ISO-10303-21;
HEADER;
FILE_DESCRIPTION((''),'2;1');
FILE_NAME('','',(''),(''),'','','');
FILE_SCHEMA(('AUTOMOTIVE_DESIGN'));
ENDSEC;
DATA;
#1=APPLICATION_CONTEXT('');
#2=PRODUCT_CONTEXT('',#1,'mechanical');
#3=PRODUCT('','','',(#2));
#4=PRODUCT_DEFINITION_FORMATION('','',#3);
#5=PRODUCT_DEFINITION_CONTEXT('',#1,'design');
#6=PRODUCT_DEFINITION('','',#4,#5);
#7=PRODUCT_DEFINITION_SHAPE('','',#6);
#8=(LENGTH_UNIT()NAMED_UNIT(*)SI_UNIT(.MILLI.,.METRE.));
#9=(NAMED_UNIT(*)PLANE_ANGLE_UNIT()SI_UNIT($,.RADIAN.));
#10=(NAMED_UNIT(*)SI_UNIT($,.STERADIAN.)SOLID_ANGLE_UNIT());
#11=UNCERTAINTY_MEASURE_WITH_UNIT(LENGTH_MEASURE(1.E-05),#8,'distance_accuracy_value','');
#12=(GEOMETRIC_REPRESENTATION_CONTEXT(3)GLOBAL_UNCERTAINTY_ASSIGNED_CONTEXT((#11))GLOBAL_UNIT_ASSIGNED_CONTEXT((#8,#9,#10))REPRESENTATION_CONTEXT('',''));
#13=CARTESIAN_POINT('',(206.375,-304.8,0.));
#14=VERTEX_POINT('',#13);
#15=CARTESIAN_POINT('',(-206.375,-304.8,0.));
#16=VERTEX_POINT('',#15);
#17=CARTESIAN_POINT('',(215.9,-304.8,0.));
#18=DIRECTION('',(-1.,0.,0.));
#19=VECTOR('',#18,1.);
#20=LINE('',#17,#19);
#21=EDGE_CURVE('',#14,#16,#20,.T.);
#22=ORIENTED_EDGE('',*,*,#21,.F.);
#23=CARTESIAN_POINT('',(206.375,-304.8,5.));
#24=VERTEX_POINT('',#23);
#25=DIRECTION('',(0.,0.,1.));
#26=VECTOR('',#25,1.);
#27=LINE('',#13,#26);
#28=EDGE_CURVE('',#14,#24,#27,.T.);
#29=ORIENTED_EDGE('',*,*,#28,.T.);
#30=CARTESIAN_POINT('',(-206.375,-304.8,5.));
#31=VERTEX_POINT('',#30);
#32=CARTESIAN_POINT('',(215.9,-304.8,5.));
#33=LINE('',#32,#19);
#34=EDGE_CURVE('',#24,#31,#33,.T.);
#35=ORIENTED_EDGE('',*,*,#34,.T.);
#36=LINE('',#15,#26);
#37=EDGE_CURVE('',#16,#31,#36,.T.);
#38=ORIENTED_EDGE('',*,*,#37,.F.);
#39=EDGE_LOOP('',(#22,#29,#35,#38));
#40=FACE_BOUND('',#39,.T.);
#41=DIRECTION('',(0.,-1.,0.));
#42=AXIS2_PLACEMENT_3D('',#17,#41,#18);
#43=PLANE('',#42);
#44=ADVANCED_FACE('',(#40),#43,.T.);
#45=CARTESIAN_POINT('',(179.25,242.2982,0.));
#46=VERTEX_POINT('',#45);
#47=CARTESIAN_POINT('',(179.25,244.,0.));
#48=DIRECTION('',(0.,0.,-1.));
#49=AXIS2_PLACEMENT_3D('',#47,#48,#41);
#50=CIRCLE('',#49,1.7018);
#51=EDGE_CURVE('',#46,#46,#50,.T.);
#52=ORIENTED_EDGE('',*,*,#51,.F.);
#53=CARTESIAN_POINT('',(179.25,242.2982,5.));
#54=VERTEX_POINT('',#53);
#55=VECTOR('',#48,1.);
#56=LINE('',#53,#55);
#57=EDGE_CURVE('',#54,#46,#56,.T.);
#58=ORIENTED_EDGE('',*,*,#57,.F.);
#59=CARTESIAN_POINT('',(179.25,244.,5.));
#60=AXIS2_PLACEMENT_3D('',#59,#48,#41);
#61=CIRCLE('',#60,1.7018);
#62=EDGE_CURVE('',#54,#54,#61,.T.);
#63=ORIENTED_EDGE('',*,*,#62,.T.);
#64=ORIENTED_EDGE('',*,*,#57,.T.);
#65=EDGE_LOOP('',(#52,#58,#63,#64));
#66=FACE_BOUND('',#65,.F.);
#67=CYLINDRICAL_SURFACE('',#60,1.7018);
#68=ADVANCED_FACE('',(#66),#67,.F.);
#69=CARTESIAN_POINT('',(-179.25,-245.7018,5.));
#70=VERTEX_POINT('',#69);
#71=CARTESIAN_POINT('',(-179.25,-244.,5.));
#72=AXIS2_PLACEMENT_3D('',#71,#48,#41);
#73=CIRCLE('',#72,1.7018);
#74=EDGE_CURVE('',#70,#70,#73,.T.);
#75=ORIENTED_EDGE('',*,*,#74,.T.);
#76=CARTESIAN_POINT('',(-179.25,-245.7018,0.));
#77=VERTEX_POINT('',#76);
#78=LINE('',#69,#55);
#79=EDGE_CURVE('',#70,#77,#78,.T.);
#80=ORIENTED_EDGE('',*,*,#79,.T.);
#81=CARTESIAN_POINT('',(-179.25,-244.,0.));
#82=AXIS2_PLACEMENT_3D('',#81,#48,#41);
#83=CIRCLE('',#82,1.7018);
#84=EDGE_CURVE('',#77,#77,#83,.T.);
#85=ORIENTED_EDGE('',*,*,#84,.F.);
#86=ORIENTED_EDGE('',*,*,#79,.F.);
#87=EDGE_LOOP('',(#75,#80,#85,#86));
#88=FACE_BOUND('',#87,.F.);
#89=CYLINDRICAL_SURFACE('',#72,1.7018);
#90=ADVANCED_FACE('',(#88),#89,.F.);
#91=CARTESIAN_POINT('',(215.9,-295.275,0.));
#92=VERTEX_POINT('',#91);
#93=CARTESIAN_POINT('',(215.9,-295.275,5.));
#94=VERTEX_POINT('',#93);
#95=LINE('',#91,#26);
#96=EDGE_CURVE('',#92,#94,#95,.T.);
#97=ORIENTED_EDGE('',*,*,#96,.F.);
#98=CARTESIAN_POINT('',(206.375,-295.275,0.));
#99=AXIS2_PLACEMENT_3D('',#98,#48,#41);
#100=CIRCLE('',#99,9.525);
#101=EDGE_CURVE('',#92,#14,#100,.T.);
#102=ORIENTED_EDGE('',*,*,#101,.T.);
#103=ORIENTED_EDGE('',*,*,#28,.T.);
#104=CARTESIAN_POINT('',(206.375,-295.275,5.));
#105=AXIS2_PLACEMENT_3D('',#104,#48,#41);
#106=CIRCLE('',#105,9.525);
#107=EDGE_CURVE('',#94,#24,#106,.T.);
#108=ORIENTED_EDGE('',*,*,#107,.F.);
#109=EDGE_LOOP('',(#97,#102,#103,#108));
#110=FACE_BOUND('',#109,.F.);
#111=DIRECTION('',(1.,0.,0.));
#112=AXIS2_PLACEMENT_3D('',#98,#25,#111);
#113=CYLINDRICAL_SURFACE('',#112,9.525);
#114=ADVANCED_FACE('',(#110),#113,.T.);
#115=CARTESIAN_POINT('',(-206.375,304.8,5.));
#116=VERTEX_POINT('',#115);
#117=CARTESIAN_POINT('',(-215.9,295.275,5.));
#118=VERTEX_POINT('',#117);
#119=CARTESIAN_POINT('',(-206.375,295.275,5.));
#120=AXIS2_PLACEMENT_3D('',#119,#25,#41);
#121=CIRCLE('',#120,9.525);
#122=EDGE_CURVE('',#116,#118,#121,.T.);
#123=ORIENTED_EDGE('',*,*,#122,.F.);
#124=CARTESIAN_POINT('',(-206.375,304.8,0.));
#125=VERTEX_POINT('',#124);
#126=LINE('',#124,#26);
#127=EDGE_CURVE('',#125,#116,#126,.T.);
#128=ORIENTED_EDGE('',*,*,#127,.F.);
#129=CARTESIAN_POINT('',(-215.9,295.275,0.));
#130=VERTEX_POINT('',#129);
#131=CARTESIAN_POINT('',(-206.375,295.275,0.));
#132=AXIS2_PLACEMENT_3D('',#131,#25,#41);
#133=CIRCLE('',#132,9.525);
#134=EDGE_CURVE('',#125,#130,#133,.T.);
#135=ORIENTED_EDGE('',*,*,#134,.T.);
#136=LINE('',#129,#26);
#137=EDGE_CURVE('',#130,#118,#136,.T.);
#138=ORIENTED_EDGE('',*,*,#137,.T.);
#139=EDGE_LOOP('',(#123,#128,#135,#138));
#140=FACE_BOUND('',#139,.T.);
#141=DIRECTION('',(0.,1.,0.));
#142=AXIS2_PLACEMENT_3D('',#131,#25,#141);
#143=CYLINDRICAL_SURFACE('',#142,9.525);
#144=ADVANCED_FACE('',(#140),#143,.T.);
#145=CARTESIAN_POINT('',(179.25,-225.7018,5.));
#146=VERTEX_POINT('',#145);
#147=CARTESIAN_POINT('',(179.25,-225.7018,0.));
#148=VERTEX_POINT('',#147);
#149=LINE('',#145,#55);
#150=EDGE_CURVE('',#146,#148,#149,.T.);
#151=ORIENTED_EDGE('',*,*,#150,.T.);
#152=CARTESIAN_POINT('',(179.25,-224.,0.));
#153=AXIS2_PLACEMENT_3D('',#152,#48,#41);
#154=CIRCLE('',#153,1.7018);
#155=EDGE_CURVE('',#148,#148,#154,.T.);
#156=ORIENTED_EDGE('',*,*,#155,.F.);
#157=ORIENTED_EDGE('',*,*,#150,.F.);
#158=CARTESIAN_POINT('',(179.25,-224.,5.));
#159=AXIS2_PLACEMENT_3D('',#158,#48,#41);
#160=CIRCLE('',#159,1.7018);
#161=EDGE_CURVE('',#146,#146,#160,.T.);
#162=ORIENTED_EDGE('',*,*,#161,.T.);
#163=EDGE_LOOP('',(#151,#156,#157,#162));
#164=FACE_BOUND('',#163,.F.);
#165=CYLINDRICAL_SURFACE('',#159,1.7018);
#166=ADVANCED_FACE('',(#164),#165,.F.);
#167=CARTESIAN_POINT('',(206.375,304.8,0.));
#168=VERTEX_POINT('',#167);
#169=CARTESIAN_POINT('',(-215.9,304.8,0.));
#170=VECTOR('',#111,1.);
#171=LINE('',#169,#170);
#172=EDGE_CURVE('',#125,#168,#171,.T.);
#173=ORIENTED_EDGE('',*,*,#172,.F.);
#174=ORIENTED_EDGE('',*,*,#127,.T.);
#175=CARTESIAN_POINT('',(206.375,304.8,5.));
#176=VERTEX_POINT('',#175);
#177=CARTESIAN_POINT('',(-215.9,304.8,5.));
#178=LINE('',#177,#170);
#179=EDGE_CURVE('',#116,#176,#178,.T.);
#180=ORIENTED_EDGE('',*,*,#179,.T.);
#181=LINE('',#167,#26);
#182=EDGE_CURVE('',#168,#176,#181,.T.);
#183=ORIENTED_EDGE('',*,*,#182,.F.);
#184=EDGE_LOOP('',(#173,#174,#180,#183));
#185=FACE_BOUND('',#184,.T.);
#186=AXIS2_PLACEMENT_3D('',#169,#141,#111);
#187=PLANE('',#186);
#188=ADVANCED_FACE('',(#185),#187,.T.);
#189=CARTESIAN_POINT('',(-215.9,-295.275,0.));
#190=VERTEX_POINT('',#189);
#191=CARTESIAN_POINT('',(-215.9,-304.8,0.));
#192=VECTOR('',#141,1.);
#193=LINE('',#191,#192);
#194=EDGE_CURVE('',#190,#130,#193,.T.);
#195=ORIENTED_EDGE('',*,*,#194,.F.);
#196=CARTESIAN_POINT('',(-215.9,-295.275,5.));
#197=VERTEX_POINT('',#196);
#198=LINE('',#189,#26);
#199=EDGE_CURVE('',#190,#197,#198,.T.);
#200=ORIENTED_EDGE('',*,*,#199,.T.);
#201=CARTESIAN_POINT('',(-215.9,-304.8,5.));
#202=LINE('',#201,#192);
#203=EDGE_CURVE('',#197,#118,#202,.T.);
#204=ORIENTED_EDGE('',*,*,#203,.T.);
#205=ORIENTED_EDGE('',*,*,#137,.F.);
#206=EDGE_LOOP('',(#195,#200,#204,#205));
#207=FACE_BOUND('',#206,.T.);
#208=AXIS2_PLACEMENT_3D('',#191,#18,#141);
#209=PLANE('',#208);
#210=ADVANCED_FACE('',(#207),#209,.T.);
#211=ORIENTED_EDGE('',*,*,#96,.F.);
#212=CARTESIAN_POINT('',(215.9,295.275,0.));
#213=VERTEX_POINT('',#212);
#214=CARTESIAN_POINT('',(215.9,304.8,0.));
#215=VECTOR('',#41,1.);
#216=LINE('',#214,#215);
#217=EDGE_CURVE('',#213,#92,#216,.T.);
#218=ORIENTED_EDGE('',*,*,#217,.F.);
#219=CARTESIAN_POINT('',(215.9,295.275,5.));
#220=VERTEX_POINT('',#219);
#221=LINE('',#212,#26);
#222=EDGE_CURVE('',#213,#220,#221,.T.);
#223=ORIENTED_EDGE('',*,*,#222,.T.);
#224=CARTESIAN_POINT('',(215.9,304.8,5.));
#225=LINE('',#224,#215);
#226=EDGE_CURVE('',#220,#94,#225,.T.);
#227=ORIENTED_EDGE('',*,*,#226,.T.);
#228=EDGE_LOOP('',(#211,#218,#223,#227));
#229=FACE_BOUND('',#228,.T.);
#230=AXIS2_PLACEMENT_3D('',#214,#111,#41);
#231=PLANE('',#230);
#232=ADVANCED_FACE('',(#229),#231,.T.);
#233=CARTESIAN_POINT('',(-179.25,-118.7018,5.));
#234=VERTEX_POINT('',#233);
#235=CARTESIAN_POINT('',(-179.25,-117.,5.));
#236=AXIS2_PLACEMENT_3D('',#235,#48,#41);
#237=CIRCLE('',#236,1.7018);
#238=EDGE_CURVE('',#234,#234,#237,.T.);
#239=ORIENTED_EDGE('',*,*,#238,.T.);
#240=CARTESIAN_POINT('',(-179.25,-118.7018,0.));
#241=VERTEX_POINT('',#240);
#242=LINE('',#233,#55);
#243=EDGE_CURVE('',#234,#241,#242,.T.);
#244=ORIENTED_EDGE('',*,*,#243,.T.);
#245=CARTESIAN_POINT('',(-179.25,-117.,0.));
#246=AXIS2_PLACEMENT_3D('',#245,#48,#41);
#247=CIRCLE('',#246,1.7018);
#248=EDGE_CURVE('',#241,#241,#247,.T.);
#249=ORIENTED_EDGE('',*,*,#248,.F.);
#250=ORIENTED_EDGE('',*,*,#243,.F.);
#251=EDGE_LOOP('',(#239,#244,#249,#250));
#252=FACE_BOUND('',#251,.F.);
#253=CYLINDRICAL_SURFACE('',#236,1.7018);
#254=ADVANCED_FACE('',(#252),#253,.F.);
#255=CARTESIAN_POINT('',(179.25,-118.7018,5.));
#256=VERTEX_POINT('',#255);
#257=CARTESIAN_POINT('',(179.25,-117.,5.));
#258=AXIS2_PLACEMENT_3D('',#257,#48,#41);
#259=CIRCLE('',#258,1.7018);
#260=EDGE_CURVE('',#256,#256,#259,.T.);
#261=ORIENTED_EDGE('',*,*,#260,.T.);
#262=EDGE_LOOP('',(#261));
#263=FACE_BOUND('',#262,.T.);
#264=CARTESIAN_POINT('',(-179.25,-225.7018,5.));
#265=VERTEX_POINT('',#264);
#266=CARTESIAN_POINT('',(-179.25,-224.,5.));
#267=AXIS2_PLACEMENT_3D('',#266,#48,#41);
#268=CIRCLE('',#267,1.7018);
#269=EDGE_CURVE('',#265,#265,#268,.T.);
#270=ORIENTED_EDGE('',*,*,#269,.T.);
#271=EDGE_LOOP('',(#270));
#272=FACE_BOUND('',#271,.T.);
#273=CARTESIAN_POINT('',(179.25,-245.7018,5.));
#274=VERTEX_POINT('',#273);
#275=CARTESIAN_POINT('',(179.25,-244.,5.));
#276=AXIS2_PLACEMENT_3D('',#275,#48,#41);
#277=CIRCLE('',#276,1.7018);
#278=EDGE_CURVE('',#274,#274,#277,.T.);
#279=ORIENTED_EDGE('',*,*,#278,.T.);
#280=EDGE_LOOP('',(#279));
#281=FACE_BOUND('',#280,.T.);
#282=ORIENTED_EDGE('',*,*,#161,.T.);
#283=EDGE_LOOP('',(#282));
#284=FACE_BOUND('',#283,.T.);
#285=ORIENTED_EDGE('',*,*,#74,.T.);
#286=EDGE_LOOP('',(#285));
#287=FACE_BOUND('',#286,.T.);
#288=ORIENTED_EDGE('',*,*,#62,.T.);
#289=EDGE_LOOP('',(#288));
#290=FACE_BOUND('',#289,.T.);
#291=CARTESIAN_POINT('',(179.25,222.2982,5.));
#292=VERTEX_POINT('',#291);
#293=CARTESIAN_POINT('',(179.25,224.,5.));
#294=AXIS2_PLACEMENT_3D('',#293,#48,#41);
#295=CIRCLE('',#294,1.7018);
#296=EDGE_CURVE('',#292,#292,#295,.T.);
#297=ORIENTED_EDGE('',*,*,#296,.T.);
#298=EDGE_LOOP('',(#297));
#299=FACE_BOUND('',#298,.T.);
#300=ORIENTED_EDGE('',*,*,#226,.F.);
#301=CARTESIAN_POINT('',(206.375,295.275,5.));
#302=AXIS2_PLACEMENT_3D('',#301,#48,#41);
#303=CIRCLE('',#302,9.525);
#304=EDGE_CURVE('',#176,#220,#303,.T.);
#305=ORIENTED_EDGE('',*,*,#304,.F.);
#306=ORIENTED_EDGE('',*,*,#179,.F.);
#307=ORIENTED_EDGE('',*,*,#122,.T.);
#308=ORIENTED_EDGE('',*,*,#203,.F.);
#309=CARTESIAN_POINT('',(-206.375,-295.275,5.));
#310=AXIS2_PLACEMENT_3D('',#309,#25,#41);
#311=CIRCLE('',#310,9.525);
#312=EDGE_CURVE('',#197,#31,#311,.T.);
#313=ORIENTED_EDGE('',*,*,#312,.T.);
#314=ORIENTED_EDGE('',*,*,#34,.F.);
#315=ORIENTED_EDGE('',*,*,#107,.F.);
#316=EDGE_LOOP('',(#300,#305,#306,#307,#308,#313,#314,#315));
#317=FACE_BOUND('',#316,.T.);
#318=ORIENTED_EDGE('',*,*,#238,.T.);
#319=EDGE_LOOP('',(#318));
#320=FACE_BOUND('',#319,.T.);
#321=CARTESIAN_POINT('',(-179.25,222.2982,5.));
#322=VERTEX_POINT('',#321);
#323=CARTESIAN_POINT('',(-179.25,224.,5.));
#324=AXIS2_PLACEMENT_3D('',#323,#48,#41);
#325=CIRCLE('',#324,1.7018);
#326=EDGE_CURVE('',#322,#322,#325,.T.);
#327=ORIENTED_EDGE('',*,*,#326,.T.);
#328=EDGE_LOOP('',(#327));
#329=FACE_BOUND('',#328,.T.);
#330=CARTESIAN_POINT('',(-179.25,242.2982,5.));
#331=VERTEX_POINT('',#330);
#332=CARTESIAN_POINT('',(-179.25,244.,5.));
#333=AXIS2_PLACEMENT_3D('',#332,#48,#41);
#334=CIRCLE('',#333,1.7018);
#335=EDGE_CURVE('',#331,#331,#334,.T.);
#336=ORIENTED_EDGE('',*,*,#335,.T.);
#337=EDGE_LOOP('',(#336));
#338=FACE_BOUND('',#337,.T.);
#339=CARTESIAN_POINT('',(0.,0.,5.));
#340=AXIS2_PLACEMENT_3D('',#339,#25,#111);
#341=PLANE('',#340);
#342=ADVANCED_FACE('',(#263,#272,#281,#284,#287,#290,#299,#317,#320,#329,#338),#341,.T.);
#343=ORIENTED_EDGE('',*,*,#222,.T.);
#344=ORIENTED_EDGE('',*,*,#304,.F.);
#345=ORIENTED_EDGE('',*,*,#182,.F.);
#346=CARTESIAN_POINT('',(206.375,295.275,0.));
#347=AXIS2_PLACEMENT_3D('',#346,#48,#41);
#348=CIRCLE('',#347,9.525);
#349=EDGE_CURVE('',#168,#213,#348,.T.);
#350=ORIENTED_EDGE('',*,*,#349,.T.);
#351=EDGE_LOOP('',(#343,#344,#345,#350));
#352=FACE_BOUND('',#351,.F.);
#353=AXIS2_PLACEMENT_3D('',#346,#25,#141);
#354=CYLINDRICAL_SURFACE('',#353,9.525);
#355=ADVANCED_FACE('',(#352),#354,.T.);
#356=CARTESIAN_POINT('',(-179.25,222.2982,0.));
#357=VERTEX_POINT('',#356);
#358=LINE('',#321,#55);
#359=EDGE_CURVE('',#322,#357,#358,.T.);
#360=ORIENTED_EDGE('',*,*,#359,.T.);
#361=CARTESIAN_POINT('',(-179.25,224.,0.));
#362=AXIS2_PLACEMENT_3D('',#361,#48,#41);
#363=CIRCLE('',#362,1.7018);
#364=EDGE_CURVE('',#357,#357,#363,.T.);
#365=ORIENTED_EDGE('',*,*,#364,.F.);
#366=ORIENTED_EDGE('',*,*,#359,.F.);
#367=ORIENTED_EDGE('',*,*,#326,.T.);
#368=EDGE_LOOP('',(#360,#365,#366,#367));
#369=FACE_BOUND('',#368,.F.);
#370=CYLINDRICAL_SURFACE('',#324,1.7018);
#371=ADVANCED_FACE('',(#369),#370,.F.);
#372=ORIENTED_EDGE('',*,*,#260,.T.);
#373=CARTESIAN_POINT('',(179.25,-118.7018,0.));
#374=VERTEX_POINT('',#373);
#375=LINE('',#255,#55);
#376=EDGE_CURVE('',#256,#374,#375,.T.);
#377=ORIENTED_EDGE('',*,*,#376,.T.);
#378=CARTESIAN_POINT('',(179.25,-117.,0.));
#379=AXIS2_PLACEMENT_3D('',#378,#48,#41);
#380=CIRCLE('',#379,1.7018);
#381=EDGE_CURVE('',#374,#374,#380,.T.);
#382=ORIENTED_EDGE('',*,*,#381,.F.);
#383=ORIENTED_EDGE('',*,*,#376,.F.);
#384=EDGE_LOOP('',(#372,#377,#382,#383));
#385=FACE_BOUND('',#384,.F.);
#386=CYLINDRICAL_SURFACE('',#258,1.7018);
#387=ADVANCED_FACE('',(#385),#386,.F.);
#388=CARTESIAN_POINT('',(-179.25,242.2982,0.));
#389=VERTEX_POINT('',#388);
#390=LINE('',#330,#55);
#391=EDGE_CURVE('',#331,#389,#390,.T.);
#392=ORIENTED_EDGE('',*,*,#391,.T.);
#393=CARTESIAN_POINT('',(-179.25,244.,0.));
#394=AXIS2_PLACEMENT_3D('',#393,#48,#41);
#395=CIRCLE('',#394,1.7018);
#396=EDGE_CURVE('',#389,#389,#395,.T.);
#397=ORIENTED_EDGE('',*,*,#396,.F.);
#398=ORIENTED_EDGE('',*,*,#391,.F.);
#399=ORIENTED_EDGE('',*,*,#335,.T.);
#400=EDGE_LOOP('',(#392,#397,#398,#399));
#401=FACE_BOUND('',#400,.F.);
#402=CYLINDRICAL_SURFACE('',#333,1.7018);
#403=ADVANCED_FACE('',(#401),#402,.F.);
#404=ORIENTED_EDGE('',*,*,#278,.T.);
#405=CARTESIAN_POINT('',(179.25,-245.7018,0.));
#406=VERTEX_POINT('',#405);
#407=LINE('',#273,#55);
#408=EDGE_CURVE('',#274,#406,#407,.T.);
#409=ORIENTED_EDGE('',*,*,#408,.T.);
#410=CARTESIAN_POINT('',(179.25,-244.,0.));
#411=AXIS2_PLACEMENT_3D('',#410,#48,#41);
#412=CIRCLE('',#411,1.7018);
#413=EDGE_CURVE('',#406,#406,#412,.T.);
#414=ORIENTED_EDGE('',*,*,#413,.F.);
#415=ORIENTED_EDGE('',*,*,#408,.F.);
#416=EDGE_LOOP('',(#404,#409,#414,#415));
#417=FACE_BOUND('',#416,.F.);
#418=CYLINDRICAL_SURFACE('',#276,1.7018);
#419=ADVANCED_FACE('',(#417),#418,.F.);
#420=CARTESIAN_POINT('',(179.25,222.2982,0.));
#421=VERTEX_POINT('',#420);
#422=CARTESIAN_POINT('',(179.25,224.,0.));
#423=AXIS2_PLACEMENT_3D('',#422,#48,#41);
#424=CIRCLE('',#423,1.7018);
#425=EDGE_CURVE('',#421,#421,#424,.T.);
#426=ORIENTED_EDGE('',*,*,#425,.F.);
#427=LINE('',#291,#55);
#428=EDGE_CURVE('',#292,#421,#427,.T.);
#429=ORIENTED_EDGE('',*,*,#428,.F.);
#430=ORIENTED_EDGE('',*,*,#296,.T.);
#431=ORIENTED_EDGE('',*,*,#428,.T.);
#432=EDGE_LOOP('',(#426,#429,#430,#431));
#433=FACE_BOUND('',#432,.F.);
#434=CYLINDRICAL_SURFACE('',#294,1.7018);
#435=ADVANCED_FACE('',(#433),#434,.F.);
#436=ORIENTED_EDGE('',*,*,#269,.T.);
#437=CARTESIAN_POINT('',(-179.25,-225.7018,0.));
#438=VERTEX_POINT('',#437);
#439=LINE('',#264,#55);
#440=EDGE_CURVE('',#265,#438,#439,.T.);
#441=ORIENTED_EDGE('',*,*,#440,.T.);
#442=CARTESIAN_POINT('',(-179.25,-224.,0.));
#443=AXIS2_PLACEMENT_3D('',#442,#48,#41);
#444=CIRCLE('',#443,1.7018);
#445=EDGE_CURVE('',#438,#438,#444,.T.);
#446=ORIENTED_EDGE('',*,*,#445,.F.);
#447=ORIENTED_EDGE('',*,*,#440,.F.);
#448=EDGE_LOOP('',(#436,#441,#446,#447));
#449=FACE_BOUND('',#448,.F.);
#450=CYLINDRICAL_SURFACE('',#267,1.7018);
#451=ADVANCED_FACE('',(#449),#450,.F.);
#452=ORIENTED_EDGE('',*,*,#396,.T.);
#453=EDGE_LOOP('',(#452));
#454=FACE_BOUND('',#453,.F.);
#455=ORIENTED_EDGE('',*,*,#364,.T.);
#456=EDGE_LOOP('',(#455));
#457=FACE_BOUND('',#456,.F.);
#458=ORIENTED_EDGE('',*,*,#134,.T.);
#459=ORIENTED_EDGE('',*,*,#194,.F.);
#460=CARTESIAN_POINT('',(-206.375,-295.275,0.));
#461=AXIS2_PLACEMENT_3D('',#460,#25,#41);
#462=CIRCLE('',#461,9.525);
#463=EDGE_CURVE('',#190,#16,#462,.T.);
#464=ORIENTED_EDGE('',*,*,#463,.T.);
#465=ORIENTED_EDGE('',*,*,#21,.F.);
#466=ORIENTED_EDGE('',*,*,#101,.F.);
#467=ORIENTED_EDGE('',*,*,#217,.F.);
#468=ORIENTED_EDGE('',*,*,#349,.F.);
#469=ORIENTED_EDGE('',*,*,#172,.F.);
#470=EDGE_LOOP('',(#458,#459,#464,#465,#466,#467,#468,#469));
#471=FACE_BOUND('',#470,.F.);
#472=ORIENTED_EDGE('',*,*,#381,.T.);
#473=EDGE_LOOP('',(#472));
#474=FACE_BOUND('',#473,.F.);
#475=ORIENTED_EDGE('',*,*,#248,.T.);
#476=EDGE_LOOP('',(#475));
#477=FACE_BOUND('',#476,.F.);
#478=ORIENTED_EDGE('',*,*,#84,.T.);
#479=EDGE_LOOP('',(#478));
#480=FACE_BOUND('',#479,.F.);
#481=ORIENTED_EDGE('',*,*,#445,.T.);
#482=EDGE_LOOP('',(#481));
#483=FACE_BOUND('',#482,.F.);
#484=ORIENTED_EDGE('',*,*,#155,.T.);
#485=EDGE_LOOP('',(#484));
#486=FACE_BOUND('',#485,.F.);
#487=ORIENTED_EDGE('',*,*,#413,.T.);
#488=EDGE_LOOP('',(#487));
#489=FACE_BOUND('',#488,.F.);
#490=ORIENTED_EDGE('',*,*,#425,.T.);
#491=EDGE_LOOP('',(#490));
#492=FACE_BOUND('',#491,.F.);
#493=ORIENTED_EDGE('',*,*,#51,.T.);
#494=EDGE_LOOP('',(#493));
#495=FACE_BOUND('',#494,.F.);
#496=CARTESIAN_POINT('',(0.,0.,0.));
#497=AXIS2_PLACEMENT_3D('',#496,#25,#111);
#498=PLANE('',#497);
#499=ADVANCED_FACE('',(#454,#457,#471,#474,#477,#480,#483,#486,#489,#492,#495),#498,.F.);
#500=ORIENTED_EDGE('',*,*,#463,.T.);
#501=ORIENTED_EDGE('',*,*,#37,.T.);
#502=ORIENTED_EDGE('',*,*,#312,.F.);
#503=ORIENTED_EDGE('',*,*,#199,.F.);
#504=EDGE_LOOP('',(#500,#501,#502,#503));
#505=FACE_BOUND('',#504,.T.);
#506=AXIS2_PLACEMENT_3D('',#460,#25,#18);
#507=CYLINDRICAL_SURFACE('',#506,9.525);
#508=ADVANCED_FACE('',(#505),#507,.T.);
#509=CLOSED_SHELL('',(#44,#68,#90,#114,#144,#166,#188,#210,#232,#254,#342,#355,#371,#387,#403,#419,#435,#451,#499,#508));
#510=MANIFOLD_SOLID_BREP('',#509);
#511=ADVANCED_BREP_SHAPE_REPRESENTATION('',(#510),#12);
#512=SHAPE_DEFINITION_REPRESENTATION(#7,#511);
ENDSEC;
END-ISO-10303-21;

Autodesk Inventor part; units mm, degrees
ref_plane "YZ Plane" through (0, 0, 0) normal (1, 0, 0) x (0, 1, 0)
ref_plane "XZ Plane" through (0, 0, 0) normal (0, 1, 0) x (-1, 0, 0)
ref_plane "XY Plane" through (0, 0, 0) normal (0, 0, 1) x (1, 0, 0)
sketch "Sketch1" plane through (0, 0, 0) normal (0, 0, 1) x (1, 0, 0)
  line L0 (-215.9, 304.8) -> (215.9, 304.8)
  line L1 (215.9, 304.8) -> (215.9, -304.8)
  line L2 (215.9, -304.8) -> (-215.9, -304.8)
  line L3 (-215.9, -304.8) -> (-215.9, 304.8)
  point P0 (0, 0)
  dimension "d0" = 431.8
  dimension "d1" = 609.6
  dimension "d2" = 304.8
  dimension "d3" = 215.9
extrude "Extrusion1" add sketch "Sketch1" along normal blind 5
sketch "Sketch2" plane through (0, 0, 5) normal (0, 0, 1) x (1, 0, 0)
  line L0 (-215.9, -304.8) -> (215.9, -304.8) projected
  line L1 (-215.9, 304.8) -> (-215.9, -304.8) projected
  line L2 (215.9, 304.8) -> (-215.9, 304.8) projected
  line L3 (215.9, -304.8) -> (215.9, 304.8) projected
  point P0 (0, 0)
  point P1 (-179.25, -244)
  point P2 (-179.25, -224)
  point P3 (179.25, -244)
  point P4 (179.25, -224)
  point P5 (179.25, 224)
  point P6 (179.25, 244)
  point P7 (-179.25, 224)
  point P8 (-179.25, 244)
  point P9 (179.25, -117)
  point P10 (-179.25, -117)
  dimension "d6" = 20
  dimension "d7" = 60.8
  dimension "d8" = 36.65
  dimension "d16" = 20
  dimension "d17" = 60.8
  dimension "d18" = 36.65
  dimension "d20" = 127
hole "Hole1" at (-179.25, -244, 5) at (-179.25, -224, 5) at (-179.25, 224, 5) at (-179.25, 244, 5) at (179.25, 224, 5) at (179.25, 244, 5) at (179.25, -244, 5) at (179.25, -224, 5) at (179.25, -117, 5) at (-179.25, -117, 5) direction (0, 0, -1) diameter 3.4036 end through all clearance for "Flat Head Machine Screw" size "M3" standard "Ansi Metric M Profile"
fillet "Fillet1" radius 9.525 4 edges at (215.9, -304.8, 2.5) (-215.9, -304.8, 2.5) (215.9, 304.8, 2.5) (-215.9, 304.8, 2.5)
equation "\"d2\" = 0.5 * d1"
equation "\"d3\" = 0.5 * d0"
equation "\"d16\" = d6"
equation "\"d17\" = d7"
equation "\"d18\" = d8"
